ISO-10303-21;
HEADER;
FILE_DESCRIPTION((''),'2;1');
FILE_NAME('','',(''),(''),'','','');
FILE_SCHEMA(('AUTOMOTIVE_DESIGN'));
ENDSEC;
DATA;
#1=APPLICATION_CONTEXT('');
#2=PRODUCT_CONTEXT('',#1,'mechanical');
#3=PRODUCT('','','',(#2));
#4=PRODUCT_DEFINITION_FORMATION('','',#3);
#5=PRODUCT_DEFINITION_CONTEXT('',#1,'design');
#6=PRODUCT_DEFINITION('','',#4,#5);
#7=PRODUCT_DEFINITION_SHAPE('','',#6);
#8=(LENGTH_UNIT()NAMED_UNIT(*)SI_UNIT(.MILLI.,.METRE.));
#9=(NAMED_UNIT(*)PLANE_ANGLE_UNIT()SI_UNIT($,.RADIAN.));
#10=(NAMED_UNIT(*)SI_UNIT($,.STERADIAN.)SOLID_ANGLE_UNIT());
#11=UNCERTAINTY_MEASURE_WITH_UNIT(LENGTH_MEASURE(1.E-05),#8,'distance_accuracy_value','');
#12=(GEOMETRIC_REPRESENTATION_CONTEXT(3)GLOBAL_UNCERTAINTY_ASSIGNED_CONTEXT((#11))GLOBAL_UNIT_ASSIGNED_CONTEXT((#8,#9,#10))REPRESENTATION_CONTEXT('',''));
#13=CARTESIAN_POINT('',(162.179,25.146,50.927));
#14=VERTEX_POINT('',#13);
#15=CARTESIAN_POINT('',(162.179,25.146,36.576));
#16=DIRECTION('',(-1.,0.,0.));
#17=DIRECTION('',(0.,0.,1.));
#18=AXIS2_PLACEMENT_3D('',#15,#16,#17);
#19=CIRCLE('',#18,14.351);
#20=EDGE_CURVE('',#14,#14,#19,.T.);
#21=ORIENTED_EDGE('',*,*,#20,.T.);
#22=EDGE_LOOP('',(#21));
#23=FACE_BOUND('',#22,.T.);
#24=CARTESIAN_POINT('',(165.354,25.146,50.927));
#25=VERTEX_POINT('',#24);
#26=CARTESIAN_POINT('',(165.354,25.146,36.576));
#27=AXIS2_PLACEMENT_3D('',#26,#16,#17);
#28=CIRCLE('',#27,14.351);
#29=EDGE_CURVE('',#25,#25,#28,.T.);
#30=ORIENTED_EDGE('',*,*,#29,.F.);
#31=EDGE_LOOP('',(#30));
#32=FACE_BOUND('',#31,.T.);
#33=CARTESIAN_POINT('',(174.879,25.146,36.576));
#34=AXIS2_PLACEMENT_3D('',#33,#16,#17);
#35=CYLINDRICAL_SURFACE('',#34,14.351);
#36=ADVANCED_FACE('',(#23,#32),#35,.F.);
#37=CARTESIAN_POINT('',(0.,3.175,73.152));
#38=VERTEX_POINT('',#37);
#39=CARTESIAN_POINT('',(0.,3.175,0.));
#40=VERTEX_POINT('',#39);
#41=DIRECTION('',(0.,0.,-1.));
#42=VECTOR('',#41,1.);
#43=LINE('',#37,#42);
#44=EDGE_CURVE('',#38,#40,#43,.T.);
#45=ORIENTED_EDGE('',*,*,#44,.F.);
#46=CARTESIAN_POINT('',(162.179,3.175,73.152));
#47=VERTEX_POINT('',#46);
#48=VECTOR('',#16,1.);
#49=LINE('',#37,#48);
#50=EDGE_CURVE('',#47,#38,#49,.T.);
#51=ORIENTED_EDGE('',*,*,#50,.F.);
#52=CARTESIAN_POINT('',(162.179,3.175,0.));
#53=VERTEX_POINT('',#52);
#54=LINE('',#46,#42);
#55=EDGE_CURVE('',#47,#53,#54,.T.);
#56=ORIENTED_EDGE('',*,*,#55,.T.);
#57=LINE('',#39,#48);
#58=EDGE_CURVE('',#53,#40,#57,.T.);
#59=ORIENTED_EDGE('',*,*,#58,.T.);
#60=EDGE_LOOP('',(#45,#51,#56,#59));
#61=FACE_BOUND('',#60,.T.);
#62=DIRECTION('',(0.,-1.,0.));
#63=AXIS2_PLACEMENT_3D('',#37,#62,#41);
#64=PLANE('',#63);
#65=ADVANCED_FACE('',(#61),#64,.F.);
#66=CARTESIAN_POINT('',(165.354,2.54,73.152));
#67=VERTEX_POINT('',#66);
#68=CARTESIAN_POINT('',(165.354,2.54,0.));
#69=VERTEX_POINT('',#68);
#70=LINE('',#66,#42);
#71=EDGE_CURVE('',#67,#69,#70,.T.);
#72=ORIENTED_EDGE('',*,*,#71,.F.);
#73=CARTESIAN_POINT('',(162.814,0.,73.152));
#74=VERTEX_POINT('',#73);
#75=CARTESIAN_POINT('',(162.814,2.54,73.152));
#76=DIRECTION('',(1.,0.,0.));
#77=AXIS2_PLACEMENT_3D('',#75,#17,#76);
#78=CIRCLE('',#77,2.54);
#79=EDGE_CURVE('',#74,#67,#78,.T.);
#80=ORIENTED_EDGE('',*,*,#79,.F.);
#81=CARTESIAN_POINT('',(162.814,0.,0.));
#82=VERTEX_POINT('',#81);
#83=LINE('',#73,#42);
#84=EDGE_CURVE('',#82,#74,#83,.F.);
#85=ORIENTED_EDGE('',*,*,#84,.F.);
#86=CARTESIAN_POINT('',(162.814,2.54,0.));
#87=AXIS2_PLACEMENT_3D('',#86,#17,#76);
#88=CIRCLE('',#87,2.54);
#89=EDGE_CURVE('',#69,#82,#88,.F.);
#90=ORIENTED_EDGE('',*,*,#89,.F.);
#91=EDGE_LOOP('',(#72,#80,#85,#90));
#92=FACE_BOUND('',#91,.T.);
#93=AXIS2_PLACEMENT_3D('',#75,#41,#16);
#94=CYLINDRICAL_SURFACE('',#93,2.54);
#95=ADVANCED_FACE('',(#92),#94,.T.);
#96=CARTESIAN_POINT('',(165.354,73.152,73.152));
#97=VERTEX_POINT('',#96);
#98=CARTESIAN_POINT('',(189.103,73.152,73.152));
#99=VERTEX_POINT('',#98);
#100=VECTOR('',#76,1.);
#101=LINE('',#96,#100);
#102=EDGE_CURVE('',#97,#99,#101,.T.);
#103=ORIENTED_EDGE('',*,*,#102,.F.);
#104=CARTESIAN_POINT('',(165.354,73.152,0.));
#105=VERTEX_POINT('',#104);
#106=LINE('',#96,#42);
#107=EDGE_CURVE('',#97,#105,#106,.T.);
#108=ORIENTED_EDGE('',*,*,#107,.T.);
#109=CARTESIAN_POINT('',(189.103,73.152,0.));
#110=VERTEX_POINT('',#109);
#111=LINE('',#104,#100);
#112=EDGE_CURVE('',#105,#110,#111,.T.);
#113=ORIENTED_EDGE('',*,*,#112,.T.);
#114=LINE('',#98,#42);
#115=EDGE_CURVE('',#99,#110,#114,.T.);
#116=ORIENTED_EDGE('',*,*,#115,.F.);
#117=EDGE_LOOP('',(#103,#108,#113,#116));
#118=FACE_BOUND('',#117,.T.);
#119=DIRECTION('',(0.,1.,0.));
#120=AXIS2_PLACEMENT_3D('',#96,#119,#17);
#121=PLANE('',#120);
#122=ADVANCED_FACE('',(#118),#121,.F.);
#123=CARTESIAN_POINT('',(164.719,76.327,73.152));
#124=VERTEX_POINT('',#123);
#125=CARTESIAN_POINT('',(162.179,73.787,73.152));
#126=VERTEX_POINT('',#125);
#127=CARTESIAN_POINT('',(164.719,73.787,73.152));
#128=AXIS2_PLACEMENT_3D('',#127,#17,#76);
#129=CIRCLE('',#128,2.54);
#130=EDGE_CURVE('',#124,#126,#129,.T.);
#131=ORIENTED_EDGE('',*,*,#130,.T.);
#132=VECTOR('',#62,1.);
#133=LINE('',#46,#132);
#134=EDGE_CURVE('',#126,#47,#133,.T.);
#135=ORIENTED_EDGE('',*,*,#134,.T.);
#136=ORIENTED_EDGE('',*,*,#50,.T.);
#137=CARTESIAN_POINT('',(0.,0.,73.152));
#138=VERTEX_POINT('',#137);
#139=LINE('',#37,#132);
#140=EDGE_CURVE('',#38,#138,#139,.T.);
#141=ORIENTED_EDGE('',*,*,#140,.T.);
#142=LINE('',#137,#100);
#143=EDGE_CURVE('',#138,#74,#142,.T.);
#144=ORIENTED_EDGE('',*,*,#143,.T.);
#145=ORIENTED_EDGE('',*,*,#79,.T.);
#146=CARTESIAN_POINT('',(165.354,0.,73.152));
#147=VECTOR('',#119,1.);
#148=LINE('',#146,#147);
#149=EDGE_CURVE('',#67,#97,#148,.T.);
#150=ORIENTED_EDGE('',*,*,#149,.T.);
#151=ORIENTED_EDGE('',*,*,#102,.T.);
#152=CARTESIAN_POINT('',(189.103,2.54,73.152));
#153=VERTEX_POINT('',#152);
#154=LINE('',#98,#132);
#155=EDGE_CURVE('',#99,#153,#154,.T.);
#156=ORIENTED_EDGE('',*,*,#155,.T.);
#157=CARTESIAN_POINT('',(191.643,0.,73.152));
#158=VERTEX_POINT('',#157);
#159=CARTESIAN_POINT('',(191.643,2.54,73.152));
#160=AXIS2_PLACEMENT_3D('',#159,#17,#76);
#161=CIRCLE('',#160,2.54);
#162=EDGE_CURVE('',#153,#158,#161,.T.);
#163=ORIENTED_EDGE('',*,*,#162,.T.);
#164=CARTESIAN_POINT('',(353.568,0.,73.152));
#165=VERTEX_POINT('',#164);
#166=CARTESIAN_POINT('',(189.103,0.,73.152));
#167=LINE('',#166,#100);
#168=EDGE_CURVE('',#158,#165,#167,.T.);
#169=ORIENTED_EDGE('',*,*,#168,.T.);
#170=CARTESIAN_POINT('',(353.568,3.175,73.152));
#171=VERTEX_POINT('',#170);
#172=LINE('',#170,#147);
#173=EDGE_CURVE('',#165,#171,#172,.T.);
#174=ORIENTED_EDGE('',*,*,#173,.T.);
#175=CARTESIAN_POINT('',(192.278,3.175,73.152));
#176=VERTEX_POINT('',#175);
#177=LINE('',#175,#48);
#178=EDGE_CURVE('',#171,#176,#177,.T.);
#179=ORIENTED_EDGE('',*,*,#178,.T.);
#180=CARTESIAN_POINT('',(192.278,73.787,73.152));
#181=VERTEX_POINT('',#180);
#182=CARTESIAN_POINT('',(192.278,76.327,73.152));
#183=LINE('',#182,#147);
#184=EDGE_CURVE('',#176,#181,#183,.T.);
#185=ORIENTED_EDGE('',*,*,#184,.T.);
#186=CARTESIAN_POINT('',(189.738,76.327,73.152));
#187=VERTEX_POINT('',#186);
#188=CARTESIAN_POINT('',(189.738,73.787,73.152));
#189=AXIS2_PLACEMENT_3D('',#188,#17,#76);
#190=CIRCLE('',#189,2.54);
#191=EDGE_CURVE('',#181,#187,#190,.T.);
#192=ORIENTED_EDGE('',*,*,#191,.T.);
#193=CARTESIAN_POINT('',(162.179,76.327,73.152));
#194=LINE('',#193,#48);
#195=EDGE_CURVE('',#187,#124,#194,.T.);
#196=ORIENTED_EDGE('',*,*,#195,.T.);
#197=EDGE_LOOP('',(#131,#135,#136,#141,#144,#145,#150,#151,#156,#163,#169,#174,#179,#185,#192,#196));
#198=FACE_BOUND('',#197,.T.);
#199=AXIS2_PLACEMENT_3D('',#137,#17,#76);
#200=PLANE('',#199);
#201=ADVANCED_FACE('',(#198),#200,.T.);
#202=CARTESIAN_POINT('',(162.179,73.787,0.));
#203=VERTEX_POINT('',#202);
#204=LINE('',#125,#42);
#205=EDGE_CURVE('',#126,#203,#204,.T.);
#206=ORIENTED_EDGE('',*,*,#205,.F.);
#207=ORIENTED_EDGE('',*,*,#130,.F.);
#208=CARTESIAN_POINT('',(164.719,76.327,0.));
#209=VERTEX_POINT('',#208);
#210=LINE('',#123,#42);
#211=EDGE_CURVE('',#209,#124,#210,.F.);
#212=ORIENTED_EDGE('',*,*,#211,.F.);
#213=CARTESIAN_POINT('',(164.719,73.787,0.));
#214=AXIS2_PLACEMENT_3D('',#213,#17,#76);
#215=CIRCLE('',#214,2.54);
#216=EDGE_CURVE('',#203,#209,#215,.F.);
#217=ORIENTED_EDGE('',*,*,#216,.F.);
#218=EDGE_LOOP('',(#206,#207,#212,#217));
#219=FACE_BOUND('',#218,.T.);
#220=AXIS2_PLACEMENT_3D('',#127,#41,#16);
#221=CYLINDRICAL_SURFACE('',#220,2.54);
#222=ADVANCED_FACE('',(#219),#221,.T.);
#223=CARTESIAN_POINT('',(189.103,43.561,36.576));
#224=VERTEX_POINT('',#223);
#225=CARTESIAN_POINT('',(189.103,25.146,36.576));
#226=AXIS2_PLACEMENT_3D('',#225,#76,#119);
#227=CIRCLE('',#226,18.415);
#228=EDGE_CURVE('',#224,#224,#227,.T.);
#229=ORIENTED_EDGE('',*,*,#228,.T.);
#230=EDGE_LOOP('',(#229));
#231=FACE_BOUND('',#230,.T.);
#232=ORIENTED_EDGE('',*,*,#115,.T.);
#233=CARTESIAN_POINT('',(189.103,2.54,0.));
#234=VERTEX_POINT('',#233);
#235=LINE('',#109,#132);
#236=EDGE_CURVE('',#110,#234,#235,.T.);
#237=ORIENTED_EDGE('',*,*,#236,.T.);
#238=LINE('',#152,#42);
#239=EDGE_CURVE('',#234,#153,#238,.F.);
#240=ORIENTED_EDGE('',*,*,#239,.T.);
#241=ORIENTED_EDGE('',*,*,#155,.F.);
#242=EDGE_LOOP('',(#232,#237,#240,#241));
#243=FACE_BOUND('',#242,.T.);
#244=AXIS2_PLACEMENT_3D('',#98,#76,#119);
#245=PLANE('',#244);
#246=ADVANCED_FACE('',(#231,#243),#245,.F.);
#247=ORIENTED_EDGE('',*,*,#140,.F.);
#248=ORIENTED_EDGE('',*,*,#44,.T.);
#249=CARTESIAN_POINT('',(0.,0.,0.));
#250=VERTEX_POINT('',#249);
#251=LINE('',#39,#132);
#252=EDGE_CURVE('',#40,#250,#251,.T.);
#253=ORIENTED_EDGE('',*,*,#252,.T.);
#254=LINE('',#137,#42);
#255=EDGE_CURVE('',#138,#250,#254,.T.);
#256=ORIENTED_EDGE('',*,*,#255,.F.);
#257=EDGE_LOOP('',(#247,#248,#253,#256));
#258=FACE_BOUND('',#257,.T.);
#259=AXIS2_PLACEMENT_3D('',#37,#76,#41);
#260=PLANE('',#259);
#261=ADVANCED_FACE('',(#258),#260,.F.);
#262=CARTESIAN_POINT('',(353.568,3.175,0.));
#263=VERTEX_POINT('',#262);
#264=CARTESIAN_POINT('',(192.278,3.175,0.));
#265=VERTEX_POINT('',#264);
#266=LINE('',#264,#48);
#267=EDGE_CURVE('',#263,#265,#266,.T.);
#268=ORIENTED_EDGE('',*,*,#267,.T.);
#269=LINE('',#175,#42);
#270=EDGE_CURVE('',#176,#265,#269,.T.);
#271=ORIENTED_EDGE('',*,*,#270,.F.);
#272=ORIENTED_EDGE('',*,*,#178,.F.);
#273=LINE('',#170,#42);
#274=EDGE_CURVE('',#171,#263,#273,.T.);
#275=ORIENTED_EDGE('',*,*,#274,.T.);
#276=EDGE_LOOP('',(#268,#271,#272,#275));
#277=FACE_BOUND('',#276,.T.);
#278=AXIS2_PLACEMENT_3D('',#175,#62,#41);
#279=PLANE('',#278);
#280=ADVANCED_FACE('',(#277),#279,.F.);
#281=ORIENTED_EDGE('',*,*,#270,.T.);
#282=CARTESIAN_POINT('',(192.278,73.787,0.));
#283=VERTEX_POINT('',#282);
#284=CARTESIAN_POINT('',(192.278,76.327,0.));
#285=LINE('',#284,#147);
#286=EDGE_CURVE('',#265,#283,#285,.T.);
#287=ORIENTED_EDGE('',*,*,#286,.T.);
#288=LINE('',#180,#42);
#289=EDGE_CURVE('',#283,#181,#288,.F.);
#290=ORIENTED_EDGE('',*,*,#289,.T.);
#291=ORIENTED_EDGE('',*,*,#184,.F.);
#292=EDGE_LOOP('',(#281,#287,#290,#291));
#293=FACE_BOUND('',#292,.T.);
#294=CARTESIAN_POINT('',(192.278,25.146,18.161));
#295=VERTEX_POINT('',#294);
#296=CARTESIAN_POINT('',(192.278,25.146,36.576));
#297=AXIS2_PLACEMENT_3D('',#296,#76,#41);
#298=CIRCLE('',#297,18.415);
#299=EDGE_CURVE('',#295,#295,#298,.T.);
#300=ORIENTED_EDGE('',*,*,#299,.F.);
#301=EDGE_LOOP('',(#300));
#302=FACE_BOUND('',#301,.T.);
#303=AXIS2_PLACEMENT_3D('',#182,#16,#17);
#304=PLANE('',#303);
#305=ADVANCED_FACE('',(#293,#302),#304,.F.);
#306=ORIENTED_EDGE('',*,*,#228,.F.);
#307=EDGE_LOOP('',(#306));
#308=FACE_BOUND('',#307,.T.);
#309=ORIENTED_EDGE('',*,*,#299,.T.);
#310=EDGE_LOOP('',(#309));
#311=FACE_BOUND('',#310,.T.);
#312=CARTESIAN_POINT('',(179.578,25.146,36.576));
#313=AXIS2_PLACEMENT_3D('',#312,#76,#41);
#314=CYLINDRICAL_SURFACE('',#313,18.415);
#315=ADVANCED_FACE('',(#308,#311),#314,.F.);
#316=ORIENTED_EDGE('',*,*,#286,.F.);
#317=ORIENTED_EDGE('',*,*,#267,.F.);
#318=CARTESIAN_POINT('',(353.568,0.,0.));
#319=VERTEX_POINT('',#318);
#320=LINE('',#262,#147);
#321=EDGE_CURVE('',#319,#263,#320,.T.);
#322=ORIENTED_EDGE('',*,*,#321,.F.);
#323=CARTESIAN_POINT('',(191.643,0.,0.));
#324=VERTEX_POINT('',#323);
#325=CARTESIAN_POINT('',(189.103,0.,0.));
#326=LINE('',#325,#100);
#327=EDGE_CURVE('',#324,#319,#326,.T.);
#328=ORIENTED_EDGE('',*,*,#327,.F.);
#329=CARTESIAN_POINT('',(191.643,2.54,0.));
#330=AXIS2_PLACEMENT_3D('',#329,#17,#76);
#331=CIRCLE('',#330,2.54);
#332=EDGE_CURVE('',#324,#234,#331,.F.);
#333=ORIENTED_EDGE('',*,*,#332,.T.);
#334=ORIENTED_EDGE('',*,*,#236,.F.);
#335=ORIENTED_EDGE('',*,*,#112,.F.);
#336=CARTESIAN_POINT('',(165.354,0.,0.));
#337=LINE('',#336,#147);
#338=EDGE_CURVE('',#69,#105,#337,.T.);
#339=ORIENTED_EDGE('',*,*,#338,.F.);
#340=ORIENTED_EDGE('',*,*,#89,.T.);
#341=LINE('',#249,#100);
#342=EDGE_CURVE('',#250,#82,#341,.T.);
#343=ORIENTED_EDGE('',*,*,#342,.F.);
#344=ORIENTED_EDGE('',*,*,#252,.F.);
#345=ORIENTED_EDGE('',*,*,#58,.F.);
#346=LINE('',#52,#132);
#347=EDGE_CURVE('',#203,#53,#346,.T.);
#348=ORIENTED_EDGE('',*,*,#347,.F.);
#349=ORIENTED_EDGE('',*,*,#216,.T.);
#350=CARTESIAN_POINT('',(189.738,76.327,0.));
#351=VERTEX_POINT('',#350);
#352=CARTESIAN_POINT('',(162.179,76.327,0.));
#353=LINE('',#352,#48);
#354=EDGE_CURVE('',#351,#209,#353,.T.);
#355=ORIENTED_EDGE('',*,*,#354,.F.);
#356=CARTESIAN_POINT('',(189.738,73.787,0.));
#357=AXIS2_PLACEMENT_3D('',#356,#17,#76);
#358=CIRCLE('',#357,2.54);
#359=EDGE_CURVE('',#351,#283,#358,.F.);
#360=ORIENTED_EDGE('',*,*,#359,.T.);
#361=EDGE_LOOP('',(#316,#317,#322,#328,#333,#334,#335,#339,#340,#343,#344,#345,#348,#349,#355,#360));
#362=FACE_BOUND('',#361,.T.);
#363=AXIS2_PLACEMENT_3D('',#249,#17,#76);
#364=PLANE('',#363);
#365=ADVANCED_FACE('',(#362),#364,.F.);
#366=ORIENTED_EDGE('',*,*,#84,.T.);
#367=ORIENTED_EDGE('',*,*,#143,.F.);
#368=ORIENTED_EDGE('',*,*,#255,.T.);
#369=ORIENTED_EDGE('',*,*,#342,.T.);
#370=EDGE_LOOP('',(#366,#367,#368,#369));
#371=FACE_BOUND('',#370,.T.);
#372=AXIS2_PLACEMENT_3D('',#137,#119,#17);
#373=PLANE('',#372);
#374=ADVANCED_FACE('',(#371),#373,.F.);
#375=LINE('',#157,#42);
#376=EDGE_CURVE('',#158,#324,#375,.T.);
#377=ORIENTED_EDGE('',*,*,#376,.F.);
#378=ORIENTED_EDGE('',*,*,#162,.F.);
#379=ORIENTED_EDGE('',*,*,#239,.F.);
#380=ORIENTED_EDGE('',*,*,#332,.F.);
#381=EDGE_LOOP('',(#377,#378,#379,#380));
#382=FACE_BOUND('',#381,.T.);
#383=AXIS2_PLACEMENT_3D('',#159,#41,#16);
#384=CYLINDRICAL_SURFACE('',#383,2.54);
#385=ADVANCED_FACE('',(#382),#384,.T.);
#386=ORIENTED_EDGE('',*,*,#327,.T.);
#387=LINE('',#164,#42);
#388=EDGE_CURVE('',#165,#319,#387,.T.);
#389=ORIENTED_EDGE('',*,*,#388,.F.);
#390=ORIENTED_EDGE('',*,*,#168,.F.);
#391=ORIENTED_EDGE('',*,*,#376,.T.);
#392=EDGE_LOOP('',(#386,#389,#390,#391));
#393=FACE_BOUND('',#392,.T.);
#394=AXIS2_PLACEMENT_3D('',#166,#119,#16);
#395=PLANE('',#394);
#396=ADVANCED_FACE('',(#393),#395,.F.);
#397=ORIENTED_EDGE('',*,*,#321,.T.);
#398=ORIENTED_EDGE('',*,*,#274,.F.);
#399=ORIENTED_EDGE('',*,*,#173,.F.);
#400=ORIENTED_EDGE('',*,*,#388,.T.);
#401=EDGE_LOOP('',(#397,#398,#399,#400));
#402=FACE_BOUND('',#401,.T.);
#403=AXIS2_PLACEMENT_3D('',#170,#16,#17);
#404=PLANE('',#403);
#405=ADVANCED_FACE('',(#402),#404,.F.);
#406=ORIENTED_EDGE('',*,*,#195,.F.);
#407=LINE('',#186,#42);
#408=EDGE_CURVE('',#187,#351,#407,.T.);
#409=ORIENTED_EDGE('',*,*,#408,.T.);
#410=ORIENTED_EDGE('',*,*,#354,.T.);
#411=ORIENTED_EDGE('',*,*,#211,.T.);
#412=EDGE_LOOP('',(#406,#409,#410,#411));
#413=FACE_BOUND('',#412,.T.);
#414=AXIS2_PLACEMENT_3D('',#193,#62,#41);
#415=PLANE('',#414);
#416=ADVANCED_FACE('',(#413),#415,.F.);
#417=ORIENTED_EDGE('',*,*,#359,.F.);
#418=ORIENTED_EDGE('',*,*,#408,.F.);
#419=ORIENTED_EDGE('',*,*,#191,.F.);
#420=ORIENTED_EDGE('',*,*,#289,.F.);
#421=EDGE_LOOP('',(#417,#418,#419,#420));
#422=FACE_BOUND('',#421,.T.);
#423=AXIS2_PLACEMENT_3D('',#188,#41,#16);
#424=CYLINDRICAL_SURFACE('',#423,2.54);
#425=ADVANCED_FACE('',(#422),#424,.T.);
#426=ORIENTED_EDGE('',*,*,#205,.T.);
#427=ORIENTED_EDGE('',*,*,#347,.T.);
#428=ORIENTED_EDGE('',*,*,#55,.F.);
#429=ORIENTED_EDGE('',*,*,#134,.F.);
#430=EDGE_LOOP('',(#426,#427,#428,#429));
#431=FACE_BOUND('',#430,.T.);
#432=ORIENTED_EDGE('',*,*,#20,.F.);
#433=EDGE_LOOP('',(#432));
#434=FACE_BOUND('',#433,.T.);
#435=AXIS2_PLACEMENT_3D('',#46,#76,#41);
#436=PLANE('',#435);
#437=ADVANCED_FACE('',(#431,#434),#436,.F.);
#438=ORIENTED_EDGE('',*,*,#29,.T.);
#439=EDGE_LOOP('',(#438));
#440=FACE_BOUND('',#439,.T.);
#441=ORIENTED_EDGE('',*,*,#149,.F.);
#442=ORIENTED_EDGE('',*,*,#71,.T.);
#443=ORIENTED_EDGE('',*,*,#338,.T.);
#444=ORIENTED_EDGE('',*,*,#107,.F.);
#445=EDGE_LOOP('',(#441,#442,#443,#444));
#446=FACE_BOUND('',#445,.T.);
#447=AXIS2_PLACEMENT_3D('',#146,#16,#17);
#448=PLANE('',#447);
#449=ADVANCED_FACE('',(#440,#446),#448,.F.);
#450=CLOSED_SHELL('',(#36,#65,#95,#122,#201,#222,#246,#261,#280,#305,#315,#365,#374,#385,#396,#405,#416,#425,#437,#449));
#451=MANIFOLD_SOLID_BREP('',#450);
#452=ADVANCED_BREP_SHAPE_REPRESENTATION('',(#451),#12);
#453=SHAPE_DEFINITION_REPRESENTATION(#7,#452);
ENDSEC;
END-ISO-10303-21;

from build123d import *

# Parameters (mm, degrees)
BOSS_EXTRUDE1_DEPTH = 73.152
SKETCH2_R           = 14.351
CUT_EXTRUDE1_DEPTH  = 12.7
SKETCH3_R           = 18.415
CUT_EXTRUDE2_DEPTH  = 12.7
FILLET1_R           = 2.54


with BuildPart() as part:
    # Sketch1 → Boss-Extrude1 (new body)
    with BuildSketch(Plane.XY):
        Polygon((0, 0), (165.354, 0), (165.354, 73.152), (189.103, 73.152), (189.103, 0), (353.568, 0), (353.568, 3.175), (192.278, 3.175), (192.278, 76.327), (162.179, 76.327), (162.179, 3.175), (0, 3.175), align=None)
    extrude(amount=BOSS_EXTRUDE1_DEPTH)

    # Sketch2 → Cut-Extrude1 (cut)
    with BuildSketch(Plane.ZY.offset(-162.179)):
        with Locations((36.576, 25.146)):
            Circle(SKETCH2_R)
    extrude(amount=-CUT_EXTRUDE1_DEPTH, mode=Mode.SUBTRACT)

    # Sketch3 → Cut-Extrude2 (cut)
    with BuildSketch(Plane(origin=(192.278, 0, 0), x_dir=(0, 0, -1), z_dir=(1, 0, 0))):
        with Locations((-36.576, 25.146)):
            Circle(SKETCH3_R)
    extrude(amount=-CUT_EXTRUDE2_DEPTH, mode=Mode.SUBTRACT)

    # Fillet1
    fillet1_edges = [part.edges().sort_by_distance(p)[0] for p in [
        (162.179, 76.327, 36.576),
        (192.278, 76.327, 36.576),
        (189.103, 0, 36.576),
        (165.354, 0, 36.576),
    ]]
    fillet(fillet1_edges, radius=FILLET1_R)


solid = part.part
